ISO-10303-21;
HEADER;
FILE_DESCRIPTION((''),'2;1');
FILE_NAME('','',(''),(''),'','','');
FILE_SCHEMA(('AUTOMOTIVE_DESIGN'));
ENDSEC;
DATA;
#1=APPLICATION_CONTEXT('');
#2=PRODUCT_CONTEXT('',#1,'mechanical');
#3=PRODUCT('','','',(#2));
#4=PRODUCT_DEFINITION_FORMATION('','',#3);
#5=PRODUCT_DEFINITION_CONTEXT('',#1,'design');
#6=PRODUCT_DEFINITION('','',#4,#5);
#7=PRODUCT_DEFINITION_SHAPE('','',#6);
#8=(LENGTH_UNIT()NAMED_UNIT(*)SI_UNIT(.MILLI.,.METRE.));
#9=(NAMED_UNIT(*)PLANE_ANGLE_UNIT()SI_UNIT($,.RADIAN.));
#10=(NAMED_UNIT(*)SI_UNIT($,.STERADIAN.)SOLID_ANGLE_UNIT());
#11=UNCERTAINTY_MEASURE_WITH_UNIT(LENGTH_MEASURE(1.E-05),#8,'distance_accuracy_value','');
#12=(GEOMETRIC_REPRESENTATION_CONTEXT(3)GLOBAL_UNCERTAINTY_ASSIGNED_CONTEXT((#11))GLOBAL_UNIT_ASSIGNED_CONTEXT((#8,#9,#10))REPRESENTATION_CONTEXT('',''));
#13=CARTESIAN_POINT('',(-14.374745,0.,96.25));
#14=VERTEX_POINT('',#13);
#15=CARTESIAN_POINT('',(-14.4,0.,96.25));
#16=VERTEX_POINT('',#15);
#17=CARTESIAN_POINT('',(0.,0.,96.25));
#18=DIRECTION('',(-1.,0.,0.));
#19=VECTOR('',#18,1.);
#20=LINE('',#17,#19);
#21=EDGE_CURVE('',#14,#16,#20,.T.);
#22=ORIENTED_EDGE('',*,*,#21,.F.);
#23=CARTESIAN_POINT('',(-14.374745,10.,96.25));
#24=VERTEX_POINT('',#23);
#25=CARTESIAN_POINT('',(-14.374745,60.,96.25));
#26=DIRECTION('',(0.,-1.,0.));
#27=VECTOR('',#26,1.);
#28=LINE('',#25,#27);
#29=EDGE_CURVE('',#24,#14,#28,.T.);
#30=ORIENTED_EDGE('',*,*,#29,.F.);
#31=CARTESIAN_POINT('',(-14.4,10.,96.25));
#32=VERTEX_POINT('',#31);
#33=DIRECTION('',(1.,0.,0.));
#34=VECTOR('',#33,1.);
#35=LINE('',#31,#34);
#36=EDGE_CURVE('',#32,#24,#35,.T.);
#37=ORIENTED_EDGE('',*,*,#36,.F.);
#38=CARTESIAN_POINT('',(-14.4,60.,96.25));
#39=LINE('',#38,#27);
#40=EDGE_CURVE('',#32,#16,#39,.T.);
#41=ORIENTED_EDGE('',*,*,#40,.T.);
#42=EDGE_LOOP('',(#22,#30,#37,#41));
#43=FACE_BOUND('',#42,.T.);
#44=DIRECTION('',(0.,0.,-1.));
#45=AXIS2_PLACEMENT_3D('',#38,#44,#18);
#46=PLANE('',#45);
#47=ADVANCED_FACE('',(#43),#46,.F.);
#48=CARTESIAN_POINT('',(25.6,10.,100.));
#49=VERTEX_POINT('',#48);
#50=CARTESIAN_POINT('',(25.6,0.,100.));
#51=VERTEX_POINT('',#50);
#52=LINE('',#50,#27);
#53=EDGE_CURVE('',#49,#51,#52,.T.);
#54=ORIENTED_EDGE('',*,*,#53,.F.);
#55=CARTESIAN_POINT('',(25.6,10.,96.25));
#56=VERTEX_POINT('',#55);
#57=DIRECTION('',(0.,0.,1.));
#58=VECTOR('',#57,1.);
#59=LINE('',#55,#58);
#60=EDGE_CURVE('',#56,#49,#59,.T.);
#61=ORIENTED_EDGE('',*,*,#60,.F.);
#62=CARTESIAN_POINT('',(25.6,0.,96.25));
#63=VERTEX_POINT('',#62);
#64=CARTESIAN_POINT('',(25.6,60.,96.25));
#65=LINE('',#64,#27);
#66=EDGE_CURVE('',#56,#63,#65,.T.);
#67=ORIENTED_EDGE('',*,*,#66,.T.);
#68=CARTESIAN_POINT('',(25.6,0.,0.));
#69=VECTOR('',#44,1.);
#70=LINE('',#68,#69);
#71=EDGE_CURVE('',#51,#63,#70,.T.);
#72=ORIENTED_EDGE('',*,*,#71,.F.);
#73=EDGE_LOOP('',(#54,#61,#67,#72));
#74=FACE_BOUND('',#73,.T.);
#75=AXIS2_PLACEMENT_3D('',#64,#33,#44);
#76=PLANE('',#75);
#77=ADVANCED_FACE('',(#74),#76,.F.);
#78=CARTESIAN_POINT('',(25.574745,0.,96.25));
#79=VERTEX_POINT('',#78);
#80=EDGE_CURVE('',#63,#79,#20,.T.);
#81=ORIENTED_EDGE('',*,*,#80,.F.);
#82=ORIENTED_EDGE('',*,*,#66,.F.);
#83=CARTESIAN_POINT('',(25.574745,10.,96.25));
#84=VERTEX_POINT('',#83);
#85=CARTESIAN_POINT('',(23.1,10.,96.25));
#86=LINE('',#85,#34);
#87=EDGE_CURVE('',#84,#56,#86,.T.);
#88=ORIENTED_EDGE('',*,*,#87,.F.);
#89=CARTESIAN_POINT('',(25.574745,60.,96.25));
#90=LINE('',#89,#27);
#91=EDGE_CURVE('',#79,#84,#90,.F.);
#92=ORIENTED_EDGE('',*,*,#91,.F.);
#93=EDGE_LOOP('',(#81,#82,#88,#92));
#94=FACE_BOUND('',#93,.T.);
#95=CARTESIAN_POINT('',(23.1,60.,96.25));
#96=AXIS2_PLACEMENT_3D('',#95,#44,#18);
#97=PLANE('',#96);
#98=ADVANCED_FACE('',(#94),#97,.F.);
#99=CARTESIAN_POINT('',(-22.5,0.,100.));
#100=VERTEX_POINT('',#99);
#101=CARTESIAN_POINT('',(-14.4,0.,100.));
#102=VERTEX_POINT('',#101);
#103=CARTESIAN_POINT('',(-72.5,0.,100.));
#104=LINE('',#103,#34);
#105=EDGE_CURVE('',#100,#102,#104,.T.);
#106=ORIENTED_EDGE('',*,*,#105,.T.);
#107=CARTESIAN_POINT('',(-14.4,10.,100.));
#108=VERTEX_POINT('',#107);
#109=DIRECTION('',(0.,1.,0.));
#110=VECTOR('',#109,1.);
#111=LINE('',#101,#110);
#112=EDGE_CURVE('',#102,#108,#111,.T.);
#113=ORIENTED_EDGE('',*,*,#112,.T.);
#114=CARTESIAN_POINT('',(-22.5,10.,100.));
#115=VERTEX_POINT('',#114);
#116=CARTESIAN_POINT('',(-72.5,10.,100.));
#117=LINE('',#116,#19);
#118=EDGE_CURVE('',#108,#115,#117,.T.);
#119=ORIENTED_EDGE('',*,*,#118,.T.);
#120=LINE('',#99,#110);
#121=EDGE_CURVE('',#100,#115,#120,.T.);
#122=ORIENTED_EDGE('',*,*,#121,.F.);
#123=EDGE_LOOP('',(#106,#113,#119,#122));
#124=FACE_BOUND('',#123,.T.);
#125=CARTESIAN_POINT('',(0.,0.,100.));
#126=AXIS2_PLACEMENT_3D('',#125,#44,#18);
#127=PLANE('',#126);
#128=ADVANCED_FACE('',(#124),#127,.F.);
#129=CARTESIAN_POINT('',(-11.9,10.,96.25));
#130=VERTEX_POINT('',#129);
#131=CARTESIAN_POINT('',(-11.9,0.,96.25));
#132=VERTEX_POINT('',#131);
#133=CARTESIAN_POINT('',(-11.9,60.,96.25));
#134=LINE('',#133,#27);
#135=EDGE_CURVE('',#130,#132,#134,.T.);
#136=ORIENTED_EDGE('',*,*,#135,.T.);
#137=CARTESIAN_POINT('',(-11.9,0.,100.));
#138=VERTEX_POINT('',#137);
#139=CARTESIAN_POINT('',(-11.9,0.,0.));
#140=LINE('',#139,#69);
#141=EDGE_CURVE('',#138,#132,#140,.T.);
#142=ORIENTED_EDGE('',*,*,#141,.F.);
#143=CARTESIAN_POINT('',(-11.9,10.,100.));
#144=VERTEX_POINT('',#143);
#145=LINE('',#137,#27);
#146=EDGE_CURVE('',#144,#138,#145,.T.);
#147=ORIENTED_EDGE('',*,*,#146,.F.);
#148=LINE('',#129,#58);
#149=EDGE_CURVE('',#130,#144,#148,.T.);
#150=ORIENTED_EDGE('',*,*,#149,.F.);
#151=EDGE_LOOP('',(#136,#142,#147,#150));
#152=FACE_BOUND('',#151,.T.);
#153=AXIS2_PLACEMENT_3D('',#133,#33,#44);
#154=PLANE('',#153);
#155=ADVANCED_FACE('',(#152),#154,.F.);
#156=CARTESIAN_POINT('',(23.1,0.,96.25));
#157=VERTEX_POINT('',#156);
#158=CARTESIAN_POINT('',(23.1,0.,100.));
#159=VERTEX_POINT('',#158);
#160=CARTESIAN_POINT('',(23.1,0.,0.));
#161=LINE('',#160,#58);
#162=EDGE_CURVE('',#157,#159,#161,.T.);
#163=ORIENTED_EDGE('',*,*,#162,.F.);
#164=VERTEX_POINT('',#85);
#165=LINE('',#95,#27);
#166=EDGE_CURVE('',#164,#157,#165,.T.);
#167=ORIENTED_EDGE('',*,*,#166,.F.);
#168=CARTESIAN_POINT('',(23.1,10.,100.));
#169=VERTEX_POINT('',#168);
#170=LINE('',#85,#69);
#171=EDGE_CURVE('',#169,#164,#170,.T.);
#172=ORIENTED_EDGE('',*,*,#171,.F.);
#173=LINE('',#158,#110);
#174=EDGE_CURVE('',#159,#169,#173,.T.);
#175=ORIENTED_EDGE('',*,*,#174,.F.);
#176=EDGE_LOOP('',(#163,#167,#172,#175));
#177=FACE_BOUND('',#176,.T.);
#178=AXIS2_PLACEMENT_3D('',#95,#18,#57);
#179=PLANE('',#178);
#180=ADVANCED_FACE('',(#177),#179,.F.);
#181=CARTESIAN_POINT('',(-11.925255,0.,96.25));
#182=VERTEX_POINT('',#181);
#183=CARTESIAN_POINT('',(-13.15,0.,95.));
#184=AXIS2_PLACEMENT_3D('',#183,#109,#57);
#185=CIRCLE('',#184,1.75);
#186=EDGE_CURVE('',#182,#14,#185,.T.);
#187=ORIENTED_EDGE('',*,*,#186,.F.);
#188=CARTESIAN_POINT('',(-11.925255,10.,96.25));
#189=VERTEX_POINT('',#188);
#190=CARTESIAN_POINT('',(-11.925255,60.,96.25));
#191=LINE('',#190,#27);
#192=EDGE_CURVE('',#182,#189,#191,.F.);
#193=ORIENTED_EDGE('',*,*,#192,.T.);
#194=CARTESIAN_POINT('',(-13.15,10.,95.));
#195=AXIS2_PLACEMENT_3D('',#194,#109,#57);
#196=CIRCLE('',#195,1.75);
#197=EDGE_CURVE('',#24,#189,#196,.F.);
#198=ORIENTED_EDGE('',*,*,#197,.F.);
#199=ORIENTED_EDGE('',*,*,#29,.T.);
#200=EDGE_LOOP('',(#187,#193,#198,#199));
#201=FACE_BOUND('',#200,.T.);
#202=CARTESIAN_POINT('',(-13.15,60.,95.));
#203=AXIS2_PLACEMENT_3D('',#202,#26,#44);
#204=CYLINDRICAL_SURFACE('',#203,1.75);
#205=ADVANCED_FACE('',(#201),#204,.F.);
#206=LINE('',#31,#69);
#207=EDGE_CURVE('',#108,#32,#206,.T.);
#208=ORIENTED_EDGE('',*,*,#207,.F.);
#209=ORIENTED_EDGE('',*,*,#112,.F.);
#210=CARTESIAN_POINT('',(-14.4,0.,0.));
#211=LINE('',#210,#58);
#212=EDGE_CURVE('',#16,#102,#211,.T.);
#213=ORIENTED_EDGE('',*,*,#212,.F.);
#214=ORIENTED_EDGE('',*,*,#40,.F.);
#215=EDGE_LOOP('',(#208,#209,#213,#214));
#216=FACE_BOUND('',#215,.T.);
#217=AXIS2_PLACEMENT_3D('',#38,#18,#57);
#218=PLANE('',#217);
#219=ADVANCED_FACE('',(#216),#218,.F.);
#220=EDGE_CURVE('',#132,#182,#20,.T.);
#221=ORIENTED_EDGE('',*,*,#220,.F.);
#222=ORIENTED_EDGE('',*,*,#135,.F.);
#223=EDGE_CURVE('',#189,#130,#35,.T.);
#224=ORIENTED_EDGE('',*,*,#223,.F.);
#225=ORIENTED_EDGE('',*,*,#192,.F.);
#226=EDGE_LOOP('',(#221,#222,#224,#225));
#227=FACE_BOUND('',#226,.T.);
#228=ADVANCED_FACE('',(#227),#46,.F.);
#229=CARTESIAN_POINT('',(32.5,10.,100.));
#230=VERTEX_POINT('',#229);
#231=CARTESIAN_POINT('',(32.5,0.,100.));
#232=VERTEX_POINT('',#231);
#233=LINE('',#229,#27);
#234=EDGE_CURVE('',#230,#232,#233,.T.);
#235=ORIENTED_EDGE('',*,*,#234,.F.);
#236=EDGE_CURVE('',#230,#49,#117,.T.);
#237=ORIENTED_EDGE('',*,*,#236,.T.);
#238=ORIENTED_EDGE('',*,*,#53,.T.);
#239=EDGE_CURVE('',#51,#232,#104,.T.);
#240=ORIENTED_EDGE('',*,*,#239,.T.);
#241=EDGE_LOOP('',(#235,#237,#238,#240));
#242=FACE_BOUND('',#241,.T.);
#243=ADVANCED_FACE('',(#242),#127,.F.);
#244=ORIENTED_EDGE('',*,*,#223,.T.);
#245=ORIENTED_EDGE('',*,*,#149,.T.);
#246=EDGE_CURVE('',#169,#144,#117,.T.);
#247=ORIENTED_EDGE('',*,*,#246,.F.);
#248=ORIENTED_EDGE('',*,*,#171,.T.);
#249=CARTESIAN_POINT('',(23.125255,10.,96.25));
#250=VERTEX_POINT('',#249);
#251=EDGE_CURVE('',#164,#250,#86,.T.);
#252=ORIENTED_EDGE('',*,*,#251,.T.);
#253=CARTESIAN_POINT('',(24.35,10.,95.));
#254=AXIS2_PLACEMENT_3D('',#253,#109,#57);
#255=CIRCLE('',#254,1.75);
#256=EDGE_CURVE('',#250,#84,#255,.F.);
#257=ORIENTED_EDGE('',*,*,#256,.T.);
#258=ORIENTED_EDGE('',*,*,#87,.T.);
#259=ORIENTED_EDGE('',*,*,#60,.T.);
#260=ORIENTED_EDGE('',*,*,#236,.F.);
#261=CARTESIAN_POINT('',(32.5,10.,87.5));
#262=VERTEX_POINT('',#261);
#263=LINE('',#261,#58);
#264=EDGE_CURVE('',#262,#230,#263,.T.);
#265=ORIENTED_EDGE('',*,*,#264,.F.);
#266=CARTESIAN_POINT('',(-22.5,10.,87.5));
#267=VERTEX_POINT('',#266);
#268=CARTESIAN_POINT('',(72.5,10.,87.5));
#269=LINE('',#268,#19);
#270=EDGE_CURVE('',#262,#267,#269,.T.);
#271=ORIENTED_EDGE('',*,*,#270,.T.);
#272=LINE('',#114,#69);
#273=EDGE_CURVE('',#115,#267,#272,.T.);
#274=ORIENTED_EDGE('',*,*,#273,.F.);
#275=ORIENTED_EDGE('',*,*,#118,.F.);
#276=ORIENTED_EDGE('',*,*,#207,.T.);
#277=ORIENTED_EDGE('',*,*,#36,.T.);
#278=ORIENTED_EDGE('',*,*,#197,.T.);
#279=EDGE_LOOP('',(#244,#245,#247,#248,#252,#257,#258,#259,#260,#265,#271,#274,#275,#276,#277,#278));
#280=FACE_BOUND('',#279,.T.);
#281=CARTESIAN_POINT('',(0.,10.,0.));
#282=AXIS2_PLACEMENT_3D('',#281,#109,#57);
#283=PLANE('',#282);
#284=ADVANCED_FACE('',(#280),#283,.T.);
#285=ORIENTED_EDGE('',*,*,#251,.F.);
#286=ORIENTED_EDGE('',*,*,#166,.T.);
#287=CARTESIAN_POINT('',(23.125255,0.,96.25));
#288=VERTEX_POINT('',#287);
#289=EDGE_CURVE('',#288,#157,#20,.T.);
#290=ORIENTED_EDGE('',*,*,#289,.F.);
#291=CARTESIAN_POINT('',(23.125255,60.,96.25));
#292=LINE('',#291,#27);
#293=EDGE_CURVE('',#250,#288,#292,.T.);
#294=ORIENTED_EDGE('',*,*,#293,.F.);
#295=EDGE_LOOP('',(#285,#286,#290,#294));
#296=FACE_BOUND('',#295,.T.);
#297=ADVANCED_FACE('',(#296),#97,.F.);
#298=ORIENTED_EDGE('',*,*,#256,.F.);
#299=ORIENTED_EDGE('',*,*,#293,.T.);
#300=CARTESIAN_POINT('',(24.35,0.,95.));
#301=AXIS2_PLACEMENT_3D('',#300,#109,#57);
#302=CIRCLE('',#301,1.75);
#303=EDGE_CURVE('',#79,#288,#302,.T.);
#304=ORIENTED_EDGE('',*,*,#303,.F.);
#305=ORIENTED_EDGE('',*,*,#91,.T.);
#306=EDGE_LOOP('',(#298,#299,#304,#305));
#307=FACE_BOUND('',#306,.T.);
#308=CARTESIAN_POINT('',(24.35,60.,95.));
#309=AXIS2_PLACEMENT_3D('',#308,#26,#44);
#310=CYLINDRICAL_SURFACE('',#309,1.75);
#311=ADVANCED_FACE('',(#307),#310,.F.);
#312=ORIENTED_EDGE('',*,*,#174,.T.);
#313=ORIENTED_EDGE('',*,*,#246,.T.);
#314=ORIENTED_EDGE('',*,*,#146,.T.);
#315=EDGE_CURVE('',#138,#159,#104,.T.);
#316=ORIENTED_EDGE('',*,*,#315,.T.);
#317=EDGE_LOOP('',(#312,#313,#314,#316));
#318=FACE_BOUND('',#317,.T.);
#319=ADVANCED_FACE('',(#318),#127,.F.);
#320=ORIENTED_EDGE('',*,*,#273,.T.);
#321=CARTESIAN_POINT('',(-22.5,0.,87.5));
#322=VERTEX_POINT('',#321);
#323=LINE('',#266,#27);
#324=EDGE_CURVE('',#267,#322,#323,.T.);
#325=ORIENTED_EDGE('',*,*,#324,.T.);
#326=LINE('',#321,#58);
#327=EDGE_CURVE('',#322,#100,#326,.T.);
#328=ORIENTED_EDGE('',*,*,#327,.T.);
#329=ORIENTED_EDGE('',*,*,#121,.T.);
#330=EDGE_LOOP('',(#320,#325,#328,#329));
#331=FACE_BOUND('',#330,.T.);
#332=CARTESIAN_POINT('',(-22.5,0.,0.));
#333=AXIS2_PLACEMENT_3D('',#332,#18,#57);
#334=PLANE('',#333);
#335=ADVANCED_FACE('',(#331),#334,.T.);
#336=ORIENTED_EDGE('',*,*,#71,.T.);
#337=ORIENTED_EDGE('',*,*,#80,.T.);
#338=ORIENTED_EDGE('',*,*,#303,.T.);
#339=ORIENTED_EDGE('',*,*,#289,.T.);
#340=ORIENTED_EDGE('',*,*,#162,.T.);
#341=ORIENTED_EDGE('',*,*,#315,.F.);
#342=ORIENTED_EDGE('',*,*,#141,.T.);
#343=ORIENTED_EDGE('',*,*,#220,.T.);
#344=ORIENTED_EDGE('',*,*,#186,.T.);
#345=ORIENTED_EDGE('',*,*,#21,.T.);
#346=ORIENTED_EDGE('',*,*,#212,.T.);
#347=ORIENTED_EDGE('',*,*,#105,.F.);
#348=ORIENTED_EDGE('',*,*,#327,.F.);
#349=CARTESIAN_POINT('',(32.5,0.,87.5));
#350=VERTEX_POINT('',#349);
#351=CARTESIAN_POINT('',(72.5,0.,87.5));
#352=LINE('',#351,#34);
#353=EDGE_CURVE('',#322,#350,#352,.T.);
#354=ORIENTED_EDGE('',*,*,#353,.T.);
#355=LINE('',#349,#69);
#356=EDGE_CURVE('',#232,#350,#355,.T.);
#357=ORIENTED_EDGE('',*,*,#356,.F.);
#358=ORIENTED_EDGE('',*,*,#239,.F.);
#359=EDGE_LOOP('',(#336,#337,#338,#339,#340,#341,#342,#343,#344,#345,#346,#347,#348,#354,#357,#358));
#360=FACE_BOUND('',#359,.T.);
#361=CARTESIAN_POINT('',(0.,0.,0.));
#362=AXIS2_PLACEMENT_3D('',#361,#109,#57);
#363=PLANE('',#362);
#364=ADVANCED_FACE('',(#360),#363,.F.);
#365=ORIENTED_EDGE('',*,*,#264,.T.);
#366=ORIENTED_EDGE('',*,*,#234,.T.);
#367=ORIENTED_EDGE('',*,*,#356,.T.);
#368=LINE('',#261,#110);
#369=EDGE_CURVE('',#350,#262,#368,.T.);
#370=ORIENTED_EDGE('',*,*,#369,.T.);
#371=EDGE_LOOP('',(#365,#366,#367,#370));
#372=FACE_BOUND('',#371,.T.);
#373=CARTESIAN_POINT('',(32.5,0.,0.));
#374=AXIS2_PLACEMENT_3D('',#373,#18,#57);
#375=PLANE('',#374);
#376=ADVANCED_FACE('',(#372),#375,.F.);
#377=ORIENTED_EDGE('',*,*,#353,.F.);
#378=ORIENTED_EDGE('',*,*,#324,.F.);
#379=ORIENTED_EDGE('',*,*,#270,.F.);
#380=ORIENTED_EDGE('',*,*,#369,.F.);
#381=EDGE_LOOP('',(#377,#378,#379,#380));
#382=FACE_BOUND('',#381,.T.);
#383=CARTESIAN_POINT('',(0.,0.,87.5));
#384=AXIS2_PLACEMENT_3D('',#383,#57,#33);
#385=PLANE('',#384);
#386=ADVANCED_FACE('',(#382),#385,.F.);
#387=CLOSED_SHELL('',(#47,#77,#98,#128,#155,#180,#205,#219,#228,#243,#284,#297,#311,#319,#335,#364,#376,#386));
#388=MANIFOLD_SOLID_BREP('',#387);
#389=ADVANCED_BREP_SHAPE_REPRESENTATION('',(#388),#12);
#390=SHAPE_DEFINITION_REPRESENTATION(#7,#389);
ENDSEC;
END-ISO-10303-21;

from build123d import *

# Parameters (mm, degrees)
SKETCH1_R               = 72.5
SKETCH1_R_2             = 62.5
BOSS_EXTRUDE1_DEPTH     = 10
SKETCH2_W               = 25
SKETCH2_H               = 10
BOSS_EXTRUDE2_DEPTH     = 100
SKETCH3_W               = 145
SKETCH3_H               = 50
BOSS_EXTRUDE3_DEPTH     = 10
CUT_EXTRUDE1_START      = -10
SKETCH4_R               = 62.5
CUT_EXTRUDE1_DEPTH      = 10
SKETCH5_W               = 145
SKETCH5_H               = 12.5
BOSS_EXTRUDE4_DEPTH     = 50
CUT_EXTRUDE2_DEPTH      = 138.318061449
CUT_EXTRUDE2_DEPTH_BACK = 138.318061449
SKETCH6_R               = 1.75
CUT_EXTRUDE3_DEPTH      = 138.318061449
CUT_EXTRUDE3_DEPTH_BACK = 138.318061449
SKETCH7_W               = 2.5
SKETCH7_H               = 7.5
SKETCH8_W               = 145
SKETCH8_H               = 12.5
CUT_EXTRUDE4_DEPTH      = 50
SKETCH9_W               = 145
SKETCH9_H               = 10
CUT_EXTRUDE5_DEPTH      = 87.5
SKETCH11_W              = 12.5
SKETCH11_H              = 10
CUT_EXTRUDE7_DEPTH      = 15
SKETCH13_W              = 12.5
SKETCH13_H              = 10
CUT_EXTRUDE9_DEPTH      = 50
SKETCH14_W              = 12.5
SKETCH14_H              = 10
CUT_EXTRUDE10_DEPTH     = 25


with BuildPart() as part:
    # Sketch1 → Boss-Extrude1 (new body)
    with BuildSketch(Plane(origin=(0, 0, 0), x_dir=(1, 0, 0), z_dir=(0, 1, 0))):
        with Locations(Location((0, 0, 0), (0, 0, 270))):
            Circle(SKETCH1_R)
        with Locations(Location((0, 0, 0), (0, 0, 270))):
            Circle(SKETCH1_R_2, mode=Mode.SUBTRACT)
    extrude(amount=BOSS_EXTRUDE1_DEPTH)

    # Sketch2 → Boss-Extrude2 (add)
    with BuildSketch(Plane.XY):
        with Locations((-60, 5)):
            Rectangle(SKETCH2_W, SKETCH2_H)
        with Locations((60, 5)):
            Rectangle(SKETCH2_W, SKETCH2_H)
    extrude(amount=BOSS_EXTRUDE2_DEPTH)

    # Sketch3 → Boss-Extrude3 (add)
    with BuildSketch(Plane(origin=(0, 10, 0), x_dir=(1, 0, 0), z_dir=(0, 1, 0))):
        with Locations((0, -75)):
            Rectangle(SKETCH3_W, SKETCH3_H)
    extrude(amount=-BOSS_EXTRUDE3_DEPTH)

    # Sketch4 → Cut-Extrude1 (cut)
    with BuildSketch(Plane(origin=(0, 10, 0), x_dir=(1, 0, 0), z_dir=(0, 1, 0)).offset(CUT_EXTRUDE1_START)):
        with Locations(Location((0, 0, 0), (0, 0, 270))):
            Circle(SKETCH4_R)
    extrude(amount=CUT_EXTRUDE1_DEPTH, mode=Mode.SUBTRACT)

    # Sketch5 → Boss-Extrude4 (add)
    with BuildSketch(Plane(origin=(0, 10, 0), x_dir=(1, 0, 0), z_dir=(0, 1, 0))):
        with Locations((0, -93.75)):
            Rectangle(SKETCH5_W, SKETCH5_H)
    extrude(amount=BOSS_EXTRUDE4_DEPTH)

    # Sketch6 → Cut-Extrude2 (cut, two sides: drawn at the far end of the back side and taken through both)
    with BuildSketch(Plane.XZ.offset(-CUT_EXTRUDE2_DEPTH_BACK)):
        with Locations(Location((-50.65, 95, 0), (0, 0, 270))):
            Circle(SKETCH6_R)
        with Locations(Location((-13.15, 95, 0), (0, 0, 270))):
            Circle(SKETCH6_R)
        with Locations(Location((24.35, 95, 0), (0, 0, 270))):
            Circle(SKETCH6_R)
        with Locations(Location((61.85, 95, 0), (0, 0, 270))):
            Circle(SKETCH6_R)
    extrude(amount=CUT_EXTRUDE2_DEPTH + CUT_EXTRUDE2_DEPTH_BACK, mode=Mode.SUBTRACT)

    # Sketch7 → Cut-Extrude3 (cut, two sides: drawn at the far end of the back side and taken through both)
    with BuildSketch(Plane.XZ.offset(-CUT_EXTRUDE3_DEPTH_BACK)):
        with Locations((-13.15, 100)):
            Rectangle(SKETCH7_W, SKETCH7_H)
        with Locations((-50.65, 100)):
            Rectangle(SKETCH7_W, SKETCH7_H)
        with Locations((24.35, 100)):
            Rectangle(SKETCH7_W, SKETCH7_H)
        with Locations((61.85, 100)):
            Rectangle(SKETCH7_W, SKETCH7_H)
    extrude(amount=CUT_EXTRUDE3_DEPTH + CUT_EXTRUDE3_DEPTH_BACK, mode=Mode.SUBTRACT)

    # Sketch8 → Cut-Extrude4 (cut)
    with BuildSketch(Plane(origin=(0, 60, 0), x_dir=(1, 0, 0), z_dir=(0, 1, 0))):
        with Locations((0, -93.75)):
            Rectangle(SKETCH8_W, SKETCH8_H)
    extrude(amount=-CUT_EXTRUDE4_DEPTH, mode=Mode.SUBTRACT)

    # Sketch9 → Cut-Extrude5 (cut, symmetric)
    with BuildSketch(Plane.XY):
        with Locations((0, 5)):
            Rectangle(SKETCH9_W, SKETCH9_H)
    extrude(amount=CUT_EXTRUDE5_DEPTH, both=True, mode=Mode.SUBTRACT)

    # Sketch11 → Cut-Extrude7 (cut)
    with BuildSketch(Plane(origin=(72.5, 0, 0), x_dir=(0, 0, -1), z_dir=(1, 0, 0))):
        with Locations((-93.75, 5)):
            Rectangle(SKETCH11_W, SKETCH11_H)
    extrude(amount=-CUT_EXTRUDE7_DEPTH, mode=Mode.SUBTRACT)

    # Sketch13 → Cut-Extrude9 (cut)
    with BuildSketch(Plane.ZY.offset(72.5)):
        with Locations((93.75, 5)):
            Rectangle(SKETCH13_W, SKETCH13_H)
    extrude(amount=-CUT_EXTRUDE9_DEPTH, mode=Mode.SUBTRACT)

    # Sketch14 → Cut-Extrude10 (cut)
    with BuildSketch(Plane(origin=(57.5, 0, 0), x_dir=(0, 0, -1), z_dir=(1, 0, 0))):
        with Locations((-93.75, 5)):
            Rectangle(SKETCH14_W, SKETCH14_H)
    extrude(amount=-CUT_EXTRUDE10_DEPTH, mode=Mode.SUBTRACT)


solid = part.part
